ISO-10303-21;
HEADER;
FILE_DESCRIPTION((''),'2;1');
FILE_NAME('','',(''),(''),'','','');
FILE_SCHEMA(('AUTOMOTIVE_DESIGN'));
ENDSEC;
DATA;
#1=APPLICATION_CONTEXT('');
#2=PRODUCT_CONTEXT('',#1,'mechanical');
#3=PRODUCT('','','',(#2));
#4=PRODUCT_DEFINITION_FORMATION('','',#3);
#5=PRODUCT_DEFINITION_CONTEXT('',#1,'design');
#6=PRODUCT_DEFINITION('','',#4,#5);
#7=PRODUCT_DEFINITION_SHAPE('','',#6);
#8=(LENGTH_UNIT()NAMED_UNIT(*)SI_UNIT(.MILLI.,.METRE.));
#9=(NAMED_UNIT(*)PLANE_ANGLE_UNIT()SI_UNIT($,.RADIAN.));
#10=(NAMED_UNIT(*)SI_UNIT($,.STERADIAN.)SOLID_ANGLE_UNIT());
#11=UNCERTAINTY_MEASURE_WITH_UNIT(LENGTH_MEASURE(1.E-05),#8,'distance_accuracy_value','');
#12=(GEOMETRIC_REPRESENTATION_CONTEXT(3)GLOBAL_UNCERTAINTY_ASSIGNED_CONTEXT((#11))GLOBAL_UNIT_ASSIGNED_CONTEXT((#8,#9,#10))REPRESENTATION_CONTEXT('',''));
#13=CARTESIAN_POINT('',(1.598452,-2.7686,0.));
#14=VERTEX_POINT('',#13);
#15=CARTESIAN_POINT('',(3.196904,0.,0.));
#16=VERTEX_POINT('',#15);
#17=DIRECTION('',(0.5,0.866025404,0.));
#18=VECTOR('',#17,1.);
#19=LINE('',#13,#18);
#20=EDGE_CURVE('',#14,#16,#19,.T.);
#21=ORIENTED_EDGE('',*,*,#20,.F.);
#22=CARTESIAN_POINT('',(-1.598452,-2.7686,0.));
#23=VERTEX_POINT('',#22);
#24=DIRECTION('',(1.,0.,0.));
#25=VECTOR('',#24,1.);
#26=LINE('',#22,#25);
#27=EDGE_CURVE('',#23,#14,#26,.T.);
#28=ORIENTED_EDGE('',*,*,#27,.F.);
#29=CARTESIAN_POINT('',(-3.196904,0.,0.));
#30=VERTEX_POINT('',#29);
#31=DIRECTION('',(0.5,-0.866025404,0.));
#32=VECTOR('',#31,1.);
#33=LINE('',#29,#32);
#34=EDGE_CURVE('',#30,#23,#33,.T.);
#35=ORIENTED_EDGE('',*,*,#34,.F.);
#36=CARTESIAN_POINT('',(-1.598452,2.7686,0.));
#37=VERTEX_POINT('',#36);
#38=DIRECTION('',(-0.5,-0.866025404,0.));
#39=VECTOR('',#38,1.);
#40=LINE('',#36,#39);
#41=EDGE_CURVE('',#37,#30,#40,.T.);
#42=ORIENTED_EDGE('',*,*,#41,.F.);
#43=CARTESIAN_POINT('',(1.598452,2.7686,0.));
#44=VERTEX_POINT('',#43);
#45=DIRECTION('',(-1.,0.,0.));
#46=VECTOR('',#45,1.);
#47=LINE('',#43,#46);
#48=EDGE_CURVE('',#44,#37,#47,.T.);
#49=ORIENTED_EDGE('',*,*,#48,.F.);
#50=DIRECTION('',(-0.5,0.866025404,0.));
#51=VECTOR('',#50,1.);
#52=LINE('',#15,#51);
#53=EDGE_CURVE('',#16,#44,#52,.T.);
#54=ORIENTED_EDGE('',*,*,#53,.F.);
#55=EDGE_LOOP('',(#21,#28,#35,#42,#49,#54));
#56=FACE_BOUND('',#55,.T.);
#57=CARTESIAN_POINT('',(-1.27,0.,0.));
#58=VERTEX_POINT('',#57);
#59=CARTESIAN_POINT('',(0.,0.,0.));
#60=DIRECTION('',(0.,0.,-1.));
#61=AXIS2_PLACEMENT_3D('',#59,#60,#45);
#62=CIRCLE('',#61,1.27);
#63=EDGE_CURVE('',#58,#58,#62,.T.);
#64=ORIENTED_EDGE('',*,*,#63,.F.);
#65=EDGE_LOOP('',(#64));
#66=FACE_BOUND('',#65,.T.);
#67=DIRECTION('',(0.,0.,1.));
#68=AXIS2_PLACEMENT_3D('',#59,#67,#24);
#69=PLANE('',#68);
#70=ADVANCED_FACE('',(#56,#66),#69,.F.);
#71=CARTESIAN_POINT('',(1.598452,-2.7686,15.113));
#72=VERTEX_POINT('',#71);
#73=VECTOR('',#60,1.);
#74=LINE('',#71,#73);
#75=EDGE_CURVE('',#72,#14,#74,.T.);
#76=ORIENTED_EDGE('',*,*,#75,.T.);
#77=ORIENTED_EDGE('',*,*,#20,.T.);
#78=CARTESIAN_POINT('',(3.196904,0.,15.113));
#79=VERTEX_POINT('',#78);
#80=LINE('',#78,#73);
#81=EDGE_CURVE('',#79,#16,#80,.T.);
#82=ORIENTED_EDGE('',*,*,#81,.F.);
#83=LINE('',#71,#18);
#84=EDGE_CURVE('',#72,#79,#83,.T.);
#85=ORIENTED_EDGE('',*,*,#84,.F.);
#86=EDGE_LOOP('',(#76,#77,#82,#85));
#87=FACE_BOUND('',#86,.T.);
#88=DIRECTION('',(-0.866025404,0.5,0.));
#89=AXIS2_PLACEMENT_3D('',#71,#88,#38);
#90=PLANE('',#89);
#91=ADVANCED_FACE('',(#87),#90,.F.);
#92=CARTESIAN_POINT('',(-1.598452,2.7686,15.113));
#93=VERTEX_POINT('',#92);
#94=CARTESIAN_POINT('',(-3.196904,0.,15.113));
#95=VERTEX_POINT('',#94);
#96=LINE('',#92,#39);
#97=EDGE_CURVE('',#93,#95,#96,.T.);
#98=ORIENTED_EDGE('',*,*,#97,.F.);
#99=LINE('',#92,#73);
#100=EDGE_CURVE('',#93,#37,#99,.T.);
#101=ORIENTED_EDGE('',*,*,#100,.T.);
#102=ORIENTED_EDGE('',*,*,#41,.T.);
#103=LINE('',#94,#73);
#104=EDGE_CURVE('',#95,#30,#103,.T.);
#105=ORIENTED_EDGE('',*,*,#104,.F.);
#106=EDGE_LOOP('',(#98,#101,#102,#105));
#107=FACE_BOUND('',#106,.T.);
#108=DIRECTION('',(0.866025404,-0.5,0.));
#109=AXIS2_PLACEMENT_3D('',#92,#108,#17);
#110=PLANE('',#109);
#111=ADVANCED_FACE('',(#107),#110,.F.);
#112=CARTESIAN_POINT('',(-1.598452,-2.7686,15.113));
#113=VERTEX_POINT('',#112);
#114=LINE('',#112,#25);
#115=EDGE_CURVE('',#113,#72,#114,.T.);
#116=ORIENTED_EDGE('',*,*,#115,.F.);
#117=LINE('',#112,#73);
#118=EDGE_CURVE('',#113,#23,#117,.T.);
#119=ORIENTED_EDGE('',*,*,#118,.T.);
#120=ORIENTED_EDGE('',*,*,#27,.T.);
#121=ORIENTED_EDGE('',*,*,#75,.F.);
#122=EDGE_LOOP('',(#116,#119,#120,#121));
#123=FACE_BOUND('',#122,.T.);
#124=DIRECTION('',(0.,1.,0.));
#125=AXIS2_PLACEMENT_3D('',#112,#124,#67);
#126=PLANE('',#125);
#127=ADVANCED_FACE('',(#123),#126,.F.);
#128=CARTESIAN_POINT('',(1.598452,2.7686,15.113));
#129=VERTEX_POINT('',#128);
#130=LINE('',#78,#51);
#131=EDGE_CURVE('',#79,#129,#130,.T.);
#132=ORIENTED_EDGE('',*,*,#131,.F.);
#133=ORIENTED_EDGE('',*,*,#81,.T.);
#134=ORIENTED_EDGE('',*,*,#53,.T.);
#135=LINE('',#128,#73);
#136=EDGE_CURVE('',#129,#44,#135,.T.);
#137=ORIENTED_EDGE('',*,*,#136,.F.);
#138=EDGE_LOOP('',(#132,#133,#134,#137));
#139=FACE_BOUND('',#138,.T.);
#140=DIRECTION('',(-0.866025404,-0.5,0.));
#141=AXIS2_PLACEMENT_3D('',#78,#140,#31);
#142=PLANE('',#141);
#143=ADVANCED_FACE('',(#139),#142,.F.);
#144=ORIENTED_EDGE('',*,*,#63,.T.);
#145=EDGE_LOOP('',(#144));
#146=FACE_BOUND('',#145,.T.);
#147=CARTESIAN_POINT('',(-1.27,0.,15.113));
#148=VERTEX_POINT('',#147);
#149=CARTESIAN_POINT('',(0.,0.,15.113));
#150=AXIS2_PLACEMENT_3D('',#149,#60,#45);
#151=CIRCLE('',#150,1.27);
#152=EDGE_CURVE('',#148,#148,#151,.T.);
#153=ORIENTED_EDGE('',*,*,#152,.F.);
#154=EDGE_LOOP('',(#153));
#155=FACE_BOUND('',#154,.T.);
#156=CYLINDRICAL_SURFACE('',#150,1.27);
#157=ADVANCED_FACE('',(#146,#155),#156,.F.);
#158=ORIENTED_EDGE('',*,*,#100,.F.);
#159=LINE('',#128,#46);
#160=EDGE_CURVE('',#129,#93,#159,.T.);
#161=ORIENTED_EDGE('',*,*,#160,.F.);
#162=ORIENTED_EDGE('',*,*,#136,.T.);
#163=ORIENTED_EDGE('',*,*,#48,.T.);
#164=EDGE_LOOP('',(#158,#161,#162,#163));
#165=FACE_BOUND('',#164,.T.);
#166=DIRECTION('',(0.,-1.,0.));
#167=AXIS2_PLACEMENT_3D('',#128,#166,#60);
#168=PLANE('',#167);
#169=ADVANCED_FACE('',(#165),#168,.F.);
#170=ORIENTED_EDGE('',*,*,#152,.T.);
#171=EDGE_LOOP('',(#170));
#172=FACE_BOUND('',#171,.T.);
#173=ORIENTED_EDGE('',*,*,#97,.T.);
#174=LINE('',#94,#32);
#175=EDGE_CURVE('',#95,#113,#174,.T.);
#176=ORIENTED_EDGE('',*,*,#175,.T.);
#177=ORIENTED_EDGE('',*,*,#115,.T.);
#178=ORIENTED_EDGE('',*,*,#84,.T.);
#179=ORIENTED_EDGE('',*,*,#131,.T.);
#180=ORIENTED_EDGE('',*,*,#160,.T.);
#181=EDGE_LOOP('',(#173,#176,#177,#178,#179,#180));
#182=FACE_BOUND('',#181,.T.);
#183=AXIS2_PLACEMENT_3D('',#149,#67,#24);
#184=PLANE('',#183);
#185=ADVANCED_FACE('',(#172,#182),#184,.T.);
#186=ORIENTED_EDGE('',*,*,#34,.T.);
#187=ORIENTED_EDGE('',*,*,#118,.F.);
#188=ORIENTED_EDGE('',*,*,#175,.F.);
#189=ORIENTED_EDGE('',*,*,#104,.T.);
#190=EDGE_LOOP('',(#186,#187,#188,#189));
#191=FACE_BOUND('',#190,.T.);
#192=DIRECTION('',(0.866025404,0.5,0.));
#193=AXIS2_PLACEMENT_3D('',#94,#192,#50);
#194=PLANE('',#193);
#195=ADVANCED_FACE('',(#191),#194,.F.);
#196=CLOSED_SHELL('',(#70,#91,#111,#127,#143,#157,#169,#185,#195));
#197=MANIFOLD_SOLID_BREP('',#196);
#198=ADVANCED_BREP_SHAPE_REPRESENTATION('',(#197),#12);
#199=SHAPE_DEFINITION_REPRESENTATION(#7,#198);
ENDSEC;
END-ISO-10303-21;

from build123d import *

# Parameters (mm, degrees)
BOSS_EXTRUDE1_DEPTH = 15.113
SKETCH2_R           = 1.27
CUT_EXTRUDE1_DEPTH  = 16.693569051


with BuildPart() as part:
    # Sketch1 → Boss-Extrude1 (new body)
    with BuildSketch(Plane.XY):
        Polygon((-3.196903911, 0), (-1.598451955, -2.7686), (1.598451955, -2.7686), (3.196903911, 0), (1.598451955, 2.7686), (-1.598451955, 2.7686), align=None)
    extrude(amount=BOSS_EXTRUDE1_DEPTH)

    # Sketch2 → Cut-Extrude1 (cut, through all)
    with BuildSketch(Plane(origin=(0, 0, 0), x_dir=(-1, 0, 0), z_dir=(0, 0, -1))):
        Circle(SKETCH2_R)
    extrude(amount=-CUT_EXTRUDE1_DEPTH, mode=Mode.SUBTRACT)


solid = part.part
